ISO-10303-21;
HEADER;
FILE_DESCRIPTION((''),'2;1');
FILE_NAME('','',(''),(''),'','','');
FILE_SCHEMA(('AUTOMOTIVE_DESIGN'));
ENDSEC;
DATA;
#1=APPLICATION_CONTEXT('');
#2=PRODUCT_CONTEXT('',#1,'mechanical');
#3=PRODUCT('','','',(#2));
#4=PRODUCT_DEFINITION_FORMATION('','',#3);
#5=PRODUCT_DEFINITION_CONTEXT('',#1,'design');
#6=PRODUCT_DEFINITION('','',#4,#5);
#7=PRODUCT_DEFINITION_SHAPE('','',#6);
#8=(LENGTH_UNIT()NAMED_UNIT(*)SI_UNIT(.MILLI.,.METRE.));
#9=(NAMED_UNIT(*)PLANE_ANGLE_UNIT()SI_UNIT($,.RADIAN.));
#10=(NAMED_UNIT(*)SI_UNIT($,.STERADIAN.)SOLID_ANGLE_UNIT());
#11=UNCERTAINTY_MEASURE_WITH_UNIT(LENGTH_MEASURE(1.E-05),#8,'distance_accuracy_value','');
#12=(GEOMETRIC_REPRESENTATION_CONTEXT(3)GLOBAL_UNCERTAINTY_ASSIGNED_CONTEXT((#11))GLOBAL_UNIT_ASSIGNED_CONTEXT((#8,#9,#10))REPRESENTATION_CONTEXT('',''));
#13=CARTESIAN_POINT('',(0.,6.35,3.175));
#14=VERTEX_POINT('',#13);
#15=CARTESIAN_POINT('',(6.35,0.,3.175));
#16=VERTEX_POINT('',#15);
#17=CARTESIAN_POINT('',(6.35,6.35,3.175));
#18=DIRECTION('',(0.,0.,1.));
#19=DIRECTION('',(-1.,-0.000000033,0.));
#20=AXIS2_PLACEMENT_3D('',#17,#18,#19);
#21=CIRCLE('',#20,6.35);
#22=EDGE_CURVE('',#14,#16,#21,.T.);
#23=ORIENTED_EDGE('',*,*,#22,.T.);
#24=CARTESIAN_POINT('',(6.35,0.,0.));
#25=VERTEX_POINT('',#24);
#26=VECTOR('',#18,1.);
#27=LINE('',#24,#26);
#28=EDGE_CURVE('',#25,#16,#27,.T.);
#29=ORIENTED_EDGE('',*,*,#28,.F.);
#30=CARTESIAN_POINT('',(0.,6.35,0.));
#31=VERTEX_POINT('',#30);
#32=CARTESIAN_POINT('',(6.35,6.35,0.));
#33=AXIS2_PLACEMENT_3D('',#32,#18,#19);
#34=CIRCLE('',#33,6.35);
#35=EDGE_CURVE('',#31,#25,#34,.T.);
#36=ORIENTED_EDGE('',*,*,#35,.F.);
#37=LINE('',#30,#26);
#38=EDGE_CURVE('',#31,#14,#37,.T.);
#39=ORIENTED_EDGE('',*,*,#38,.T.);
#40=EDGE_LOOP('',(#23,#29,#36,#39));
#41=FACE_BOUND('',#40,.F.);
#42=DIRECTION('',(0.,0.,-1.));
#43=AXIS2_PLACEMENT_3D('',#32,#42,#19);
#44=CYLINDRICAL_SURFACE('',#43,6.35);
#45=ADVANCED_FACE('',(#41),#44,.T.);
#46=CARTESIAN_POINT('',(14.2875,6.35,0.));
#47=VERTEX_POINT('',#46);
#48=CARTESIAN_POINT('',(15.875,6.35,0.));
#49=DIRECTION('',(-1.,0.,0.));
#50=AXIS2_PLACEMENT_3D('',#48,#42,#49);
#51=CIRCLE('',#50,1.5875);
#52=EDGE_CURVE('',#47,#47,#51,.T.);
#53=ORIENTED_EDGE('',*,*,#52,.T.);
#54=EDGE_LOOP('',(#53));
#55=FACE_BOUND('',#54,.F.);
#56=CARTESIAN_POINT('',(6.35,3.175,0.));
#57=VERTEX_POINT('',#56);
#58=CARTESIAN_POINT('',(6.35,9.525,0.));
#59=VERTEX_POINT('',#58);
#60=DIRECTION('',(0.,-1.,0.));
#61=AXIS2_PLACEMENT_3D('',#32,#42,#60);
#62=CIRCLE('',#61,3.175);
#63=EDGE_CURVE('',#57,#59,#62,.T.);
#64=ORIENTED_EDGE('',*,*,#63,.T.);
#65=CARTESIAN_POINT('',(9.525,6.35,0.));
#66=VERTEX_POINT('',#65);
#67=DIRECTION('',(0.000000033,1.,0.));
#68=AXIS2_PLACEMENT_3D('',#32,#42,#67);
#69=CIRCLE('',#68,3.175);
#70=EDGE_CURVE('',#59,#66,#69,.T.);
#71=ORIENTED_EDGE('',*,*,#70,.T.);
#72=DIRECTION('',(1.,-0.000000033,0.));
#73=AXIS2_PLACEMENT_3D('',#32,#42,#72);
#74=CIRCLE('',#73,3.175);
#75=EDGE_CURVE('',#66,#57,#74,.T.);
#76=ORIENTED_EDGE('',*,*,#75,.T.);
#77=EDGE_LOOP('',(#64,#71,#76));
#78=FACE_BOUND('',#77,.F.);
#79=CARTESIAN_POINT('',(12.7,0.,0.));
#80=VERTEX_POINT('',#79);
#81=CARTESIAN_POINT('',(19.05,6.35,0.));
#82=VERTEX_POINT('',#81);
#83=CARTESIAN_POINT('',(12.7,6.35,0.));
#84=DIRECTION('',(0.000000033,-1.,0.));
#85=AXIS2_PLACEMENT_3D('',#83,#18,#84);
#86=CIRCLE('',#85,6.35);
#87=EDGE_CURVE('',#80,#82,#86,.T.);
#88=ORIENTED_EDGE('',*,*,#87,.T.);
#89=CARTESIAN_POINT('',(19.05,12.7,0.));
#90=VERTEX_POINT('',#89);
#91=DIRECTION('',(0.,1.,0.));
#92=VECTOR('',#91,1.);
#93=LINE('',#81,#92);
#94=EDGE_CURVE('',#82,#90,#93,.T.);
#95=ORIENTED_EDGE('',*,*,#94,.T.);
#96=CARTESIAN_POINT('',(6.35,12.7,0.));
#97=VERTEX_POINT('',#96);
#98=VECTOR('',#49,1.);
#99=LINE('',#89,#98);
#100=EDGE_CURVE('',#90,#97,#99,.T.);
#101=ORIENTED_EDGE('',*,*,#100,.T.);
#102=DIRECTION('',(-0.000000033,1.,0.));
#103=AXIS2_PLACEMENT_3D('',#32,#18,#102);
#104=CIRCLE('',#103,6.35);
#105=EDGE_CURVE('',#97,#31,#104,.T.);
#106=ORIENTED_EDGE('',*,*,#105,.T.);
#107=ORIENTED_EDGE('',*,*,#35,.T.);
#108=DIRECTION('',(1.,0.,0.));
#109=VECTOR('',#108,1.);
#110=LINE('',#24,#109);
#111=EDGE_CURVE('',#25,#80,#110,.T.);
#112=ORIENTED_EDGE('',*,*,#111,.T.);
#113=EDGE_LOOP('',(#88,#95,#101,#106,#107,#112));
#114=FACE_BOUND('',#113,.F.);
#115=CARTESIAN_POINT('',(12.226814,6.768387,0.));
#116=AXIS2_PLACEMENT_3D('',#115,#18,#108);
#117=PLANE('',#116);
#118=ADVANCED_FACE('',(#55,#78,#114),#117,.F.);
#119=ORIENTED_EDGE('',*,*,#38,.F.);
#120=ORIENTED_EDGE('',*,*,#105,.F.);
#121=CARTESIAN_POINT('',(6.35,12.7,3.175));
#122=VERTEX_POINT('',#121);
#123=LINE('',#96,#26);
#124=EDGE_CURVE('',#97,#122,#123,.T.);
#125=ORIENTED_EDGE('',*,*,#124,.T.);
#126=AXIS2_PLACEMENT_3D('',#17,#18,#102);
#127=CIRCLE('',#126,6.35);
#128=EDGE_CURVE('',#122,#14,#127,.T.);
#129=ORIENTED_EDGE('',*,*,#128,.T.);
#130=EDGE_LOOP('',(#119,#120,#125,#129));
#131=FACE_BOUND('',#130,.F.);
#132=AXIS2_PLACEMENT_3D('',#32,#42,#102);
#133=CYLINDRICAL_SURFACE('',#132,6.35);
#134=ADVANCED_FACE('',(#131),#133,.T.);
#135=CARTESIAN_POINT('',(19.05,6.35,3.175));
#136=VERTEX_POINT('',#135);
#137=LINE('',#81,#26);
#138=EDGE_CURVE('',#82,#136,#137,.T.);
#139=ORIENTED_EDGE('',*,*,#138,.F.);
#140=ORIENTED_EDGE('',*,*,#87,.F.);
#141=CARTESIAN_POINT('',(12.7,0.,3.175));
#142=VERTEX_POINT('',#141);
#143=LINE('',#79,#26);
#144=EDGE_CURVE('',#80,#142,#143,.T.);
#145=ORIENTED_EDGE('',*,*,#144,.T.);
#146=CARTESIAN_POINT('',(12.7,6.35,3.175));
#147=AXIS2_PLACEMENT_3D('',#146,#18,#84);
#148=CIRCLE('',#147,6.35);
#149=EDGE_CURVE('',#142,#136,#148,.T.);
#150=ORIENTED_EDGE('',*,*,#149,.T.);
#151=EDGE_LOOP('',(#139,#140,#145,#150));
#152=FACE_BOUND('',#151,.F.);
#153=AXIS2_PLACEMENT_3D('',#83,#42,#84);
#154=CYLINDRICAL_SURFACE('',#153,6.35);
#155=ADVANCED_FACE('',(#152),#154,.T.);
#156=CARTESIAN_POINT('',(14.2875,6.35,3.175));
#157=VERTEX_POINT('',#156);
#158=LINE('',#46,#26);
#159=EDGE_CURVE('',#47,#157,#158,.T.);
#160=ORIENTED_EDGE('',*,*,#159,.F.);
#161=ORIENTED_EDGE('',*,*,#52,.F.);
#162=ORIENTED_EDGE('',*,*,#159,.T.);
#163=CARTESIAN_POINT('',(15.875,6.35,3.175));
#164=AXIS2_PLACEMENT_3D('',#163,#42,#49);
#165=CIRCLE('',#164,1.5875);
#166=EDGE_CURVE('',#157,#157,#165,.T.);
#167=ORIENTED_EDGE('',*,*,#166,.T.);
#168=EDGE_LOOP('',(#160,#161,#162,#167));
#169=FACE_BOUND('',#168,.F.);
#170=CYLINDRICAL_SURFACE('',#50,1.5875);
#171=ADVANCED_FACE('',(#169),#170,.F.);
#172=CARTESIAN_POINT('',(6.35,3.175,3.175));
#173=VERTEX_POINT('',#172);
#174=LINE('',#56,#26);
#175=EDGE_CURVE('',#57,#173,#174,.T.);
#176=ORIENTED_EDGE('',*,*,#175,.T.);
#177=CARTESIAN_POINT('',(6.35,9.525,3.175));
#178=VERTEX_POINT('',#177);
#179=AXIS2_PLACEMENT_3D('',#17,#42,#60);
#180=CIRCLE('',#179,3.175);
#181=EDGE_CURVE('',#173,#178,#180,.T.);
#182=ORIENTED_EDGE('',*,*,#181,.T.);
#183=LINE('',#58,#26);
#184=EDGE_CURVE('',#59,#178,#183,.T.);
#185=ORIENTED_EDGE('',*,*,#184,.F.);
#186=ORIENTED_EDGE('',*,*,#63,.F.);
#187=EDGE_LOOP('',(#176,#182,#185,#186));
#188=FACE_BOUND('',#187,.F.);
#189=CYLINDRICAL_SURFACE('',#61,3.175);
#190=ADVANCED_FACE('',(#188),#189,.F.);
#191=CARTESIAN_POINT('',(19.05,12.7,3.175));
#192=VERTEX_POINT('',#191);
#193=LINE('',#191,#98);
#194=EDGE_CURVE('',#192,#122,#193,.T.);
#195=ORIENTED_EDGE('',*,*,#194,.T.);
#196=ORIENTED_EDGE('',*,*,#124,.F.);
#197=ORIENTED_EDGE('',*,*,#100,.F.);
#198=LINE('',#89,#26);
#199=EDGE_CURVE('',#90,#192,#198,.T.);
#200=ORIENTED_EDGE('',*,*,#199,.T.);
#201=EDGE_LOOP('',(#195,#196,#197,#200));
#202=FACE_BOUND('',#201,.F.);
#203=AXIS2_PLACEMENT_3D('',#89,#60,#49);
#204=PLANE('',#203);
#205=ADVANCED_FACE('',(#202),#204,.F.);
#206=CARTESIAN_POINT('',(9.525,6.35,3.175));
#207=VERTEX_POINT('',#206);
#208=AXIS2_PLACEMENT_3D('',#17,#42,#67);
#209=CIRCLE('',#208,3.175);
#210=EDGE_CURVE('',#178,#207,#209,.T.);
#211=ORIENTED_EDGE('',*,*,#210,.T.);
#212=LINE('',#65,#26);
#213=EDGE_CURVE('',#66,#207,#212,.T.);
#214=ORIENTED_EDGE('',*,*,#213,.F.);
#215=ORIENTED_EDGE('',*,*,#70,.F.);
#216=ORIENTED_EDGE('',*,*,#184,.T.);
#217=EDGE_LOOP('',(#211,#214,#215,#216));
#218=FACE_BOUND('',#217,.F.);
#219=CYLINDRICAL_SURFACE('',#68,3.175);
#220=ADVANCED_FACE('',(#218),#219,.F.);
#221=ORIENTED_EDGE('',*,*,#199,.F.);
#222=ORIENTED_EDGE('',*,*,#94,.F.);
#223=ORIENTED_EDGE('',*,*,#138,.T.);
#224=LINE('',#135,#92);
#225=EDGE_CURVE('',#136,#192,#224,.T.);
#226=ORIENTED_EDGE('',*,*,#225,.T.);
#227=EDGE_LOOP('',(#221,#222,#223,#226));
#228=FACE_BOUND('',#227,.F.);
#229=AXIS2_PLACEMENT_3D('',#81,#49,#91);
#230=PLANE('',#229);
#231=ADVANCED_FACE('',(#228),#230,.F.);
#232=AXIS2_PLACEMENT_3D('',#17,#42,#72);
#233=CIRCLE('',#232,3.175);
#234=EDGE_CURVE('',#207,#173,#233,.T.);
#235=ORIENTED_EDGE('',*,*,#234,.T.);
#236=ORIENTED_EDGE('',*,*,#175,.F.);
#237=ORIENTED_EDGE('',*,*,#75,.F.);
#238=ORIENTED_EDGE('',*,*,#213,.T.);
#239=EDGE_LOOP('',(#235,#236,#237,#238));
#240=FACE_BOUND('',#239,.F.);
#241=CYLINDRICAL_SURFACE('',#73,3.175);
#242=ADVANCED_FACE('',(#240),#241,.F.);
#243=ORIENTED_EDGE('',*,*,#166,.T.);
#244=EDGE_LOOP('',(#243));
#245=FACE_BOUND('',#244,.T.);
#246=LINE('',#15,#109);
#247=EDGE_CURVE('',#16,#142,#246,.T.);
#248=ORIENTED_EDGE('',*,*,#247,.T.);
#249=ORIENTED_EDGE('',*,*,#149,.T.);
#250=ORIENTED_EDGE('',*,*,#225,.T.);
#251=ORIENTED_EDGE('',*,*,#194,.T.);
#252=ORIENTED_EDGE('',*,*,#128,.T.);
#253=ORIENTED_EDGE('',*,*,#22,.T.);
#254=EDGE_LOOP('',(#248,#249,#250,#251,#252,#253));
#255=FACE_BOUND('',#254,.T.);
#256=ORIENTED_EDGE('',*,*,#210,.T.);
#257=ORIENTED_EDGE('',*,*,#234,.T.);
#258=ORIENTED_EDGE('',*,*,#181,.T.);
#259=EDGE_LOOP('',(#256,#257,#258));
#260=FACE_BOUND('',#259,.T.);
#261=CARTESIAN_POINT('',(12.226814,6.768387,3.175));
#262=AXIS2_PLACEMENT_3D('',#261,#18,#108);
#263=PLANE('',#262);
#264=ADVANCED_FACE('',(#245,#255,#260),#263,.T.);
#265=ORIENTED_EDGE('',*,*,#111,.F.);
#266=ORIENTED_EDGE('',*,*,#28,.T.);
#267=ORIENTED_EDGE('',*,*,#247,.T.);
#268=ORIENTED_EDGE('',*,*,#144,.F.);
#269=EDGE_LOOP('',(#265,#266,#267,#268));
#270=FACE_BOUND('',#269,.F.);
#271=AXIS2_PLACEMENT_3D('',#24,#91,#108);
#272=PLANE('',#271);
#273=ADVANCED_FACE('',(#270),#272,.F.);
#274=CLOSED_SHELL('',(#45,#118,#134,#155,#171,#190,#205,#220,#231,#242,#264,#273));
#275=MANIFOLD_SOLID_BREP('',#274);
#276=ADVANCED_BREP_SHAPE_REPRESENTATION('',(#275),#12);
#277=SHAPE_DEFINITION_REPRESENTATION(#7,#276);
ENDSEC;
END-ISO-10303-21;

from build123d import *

# Parameters (mm, degrees)
F1_DEPTH = 3.175


with BuildPart() as f1:
    # F0 (on Top) → F1 (new body)
    with BuildSketch(Plane.XY):
        with BuildLine():
            Line((6.35, 3.175), (6.35, 0))
            Line((6.35, 0), (12.7, 0))
            ThreePointArc((12.7, 0), (17.190128, 1.859872), (19.05, 6.35))
            Line((19.05, 6.35), (19.05, 12.7))
            Line((19.05, 12.7), (6.35, 12.7))
            Line((6.35, 12.7), (6.35, 9.525))
            ThreePointArc((6.35, 9.525), (8.595064, 8.595064), (9.525, 6.35))
            ThreePointArc((9.525, 6.35), (8.595064, 4.104936), (6.35, 3.175))
        make_face()
        with BuildLine():
            ThreePointArc((17.4625, 6.35), (15.875, 4.7625), (14.2875, 6.35))
            ThreePointArc((14.2875, 6.35), (15.875, 7.9375), (17.4625, 6.35))
        make_face(mode=Mode.SUBTRACT)
        with BuildLine():
            ThreePointArc((0, 6.35), (1.859872, 1.859872), (6.35, 0))
            Line((6.35, 0), (6.35, 3.175))
            ThreePointArc((6.35, 3.175), (3.175, 6.35), (6.35, 9.525))
            Line((6.35, 9.525), (6.35, 12.7))
            ThreePointArc((6.35, 12.7), (1.859872, 10.840128), (0, 6.35))
        make_face()
    extrude(amount=F1_DEPTH)


solid = f1.part
